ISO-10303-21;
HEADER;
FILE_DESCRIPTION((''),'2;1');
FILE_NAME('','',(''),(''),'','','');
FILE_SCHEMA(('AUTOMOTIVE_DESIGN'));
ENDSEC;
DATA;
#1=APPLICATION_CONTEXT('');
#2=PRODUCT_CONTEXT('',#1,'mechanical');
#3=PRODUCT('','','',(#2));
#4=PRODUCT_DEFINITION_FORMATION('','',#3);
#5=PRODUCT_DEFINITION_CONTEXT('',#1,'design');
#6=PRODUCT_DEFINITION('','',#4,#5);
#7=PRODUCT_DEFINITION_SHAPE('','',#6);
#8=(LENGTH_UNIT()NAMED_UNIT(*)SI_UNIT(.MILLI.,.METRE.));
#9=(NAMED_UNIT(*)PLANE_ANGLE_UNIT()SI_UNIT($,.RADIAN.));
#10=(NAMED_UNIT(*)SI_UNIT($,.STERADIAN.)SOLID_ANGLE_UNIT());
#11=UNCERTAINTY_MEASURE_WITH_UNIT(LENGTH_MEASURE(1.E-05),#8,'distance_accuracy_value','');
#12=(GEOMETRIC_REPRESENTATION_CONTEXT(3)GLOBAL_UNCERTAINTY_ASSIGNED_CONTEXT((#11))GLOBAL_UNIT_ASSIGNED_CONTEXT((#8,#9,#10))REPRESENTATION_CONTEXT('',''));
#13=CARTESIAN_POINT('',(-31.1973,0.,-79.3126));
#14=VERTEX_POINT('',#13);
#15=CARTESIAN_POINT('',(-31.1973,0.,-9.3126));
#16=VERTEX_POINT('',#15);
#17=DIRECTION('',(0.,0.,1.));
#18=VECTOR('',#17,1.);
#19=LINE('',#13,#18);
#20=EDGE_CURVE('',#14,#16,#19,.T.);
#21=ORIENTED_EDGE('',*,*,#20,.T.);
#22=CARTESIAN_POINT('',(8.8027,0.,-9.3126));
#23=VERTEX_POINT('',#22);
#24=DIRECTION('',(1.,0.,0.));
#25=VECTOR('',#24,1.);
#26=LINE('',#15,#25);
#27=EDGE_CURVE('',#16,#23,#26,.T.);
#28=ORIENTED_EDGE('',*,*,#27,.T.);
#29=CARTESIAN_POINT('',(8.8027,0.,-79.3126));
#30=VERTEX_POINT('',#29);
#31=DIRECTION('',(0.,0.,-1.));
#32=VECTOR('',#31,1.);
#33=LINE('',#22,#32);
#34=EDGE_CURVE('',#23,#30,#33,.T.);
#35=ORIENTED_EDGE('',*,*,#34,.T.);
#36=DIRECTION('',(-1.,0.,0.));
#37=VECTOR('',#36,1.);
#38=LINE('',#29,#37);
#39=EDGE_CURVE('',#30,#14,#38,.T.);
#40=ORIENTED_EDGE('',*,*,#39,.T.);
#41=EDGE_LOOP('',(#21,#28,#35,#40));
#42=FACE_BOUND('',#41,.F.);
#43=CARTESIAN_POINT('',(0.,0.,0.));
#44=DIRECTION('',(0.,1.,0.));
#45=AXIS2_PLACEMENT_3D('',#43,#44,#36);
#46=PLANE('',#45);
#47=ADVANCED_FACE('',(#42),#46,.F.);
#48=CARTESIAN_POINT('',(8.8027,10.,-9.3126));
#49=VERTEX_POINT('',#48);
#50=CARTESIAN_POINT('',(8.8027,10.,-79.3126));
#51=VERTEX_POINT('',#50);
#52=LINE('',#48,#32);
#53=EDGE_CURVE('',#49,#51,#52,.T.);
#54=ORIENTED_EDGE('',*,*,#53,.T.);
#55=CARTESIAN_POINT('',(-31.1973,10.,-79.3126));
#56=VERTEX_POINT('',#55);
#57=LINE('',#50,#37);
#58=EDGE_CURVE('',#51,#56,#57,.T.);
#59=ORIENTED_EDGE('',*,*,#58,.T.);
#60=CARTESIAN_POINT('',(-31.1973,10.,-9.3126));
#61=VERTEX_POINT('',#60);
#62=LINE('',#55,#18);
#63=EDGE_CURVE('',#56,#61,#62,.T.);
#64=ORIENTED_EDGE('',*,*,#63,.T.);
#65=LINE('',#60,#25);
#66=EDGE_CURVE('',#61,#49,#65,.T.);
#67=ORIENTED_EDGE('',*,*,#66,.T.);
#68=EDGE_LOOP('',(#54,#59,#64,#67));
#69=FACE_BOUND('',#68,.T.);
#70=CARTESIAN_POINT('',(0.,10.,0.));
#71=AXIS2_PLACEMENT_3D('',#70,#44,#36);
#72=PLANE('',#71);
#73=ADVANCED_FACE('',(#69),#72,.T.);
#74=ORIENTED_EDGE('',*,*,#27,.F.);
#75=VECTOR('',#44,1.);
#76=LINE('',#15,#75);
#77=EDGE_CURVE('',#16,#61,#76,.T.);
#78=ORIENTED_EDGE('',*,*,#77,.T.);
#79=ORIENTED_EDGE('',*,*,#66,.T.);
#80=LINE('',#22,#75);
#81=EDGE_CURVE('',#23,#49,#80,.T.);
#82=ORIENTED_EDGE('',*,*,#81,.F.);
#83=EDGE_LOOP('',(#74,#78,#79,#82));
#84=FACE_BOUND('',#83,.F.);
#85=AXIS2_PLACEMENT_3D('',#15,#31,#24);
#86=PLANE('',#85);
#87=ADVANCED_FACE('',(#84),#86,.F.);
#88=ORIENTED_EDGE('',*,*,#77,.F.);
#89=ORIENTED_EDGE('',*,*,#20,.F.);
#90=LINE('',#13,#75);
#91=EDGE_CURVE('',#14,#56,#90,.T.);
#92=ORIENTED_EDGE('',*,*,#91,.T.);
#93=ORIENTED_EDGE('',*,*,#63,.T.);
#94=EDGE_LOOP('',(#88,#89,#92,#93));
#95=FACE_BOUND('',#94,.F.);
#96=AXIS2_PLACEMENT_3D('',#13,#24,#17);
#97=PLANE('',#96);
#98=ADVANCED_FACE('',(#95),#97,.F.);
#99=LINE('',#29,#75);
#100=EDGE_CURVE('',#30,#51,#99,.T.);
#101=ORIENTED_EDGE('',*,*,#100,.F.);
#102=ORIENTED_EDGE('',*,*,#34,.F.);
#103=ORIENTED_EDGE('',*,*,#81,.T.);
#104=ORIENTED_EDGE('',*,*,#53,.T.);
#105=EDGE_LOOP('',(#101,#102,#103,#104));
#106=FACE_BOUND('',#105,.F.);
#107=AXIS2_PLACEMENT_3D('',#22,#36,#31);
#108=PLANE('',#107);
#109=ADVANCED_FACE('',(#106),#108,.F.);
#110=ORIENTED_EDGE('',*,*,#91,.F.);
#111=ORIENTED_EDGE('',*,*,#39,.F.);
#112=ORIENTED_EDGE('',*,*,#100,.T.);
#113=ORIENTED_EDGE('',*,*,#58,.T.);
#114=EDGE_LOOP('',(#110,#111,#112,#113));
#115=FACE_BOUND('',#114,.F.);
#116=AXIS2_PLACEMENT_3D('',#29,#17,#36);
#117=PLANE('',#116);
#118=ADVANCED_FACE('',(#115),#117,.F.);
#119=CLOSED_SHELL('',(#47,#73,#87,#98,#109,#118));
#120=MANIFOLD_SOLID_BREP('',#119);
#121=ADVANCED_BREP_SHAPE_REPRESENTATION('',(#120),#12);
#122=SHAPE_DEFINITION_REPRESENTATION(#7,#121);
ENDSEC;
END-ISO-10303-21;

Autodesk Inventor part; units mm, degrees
ref_plane "YZ Plane" through (0, 0, 0) normal (1, 0, 0) x (0, 1, 0)
ref_plane "XZ Plane" through (0, 0, 0) normal (0, 1, 0) x (-1, 0, 0)
ref_plane "XY Plane" through (0, 0, 0) normal (0, 0, 1) x (1, 0, 0)
sketch "Skizze1" plane through (0, 0, 0) normal (0, 1, 0) x (-1, 0, 0)
  line L0 (31.1973, -9.3126) -> (-8.8027, -9.3126)
  line L1 (-8.8027, -9.3126) -> (-8.8027, -79.3126)
  line L2 (-8.8027, -79.3126) -> (31.1973, -79.3126)
  line L3 (31.1973, -79.3126) -> (31.1973, -9.3126)
  point P0 (0, 0)
  dimension "d0" = 70
  dimension "d1" = 40
extrude "Extrusion1" add sketch "Skizze1" along normal blind 10
properties part number "Platiene-Arduino"
